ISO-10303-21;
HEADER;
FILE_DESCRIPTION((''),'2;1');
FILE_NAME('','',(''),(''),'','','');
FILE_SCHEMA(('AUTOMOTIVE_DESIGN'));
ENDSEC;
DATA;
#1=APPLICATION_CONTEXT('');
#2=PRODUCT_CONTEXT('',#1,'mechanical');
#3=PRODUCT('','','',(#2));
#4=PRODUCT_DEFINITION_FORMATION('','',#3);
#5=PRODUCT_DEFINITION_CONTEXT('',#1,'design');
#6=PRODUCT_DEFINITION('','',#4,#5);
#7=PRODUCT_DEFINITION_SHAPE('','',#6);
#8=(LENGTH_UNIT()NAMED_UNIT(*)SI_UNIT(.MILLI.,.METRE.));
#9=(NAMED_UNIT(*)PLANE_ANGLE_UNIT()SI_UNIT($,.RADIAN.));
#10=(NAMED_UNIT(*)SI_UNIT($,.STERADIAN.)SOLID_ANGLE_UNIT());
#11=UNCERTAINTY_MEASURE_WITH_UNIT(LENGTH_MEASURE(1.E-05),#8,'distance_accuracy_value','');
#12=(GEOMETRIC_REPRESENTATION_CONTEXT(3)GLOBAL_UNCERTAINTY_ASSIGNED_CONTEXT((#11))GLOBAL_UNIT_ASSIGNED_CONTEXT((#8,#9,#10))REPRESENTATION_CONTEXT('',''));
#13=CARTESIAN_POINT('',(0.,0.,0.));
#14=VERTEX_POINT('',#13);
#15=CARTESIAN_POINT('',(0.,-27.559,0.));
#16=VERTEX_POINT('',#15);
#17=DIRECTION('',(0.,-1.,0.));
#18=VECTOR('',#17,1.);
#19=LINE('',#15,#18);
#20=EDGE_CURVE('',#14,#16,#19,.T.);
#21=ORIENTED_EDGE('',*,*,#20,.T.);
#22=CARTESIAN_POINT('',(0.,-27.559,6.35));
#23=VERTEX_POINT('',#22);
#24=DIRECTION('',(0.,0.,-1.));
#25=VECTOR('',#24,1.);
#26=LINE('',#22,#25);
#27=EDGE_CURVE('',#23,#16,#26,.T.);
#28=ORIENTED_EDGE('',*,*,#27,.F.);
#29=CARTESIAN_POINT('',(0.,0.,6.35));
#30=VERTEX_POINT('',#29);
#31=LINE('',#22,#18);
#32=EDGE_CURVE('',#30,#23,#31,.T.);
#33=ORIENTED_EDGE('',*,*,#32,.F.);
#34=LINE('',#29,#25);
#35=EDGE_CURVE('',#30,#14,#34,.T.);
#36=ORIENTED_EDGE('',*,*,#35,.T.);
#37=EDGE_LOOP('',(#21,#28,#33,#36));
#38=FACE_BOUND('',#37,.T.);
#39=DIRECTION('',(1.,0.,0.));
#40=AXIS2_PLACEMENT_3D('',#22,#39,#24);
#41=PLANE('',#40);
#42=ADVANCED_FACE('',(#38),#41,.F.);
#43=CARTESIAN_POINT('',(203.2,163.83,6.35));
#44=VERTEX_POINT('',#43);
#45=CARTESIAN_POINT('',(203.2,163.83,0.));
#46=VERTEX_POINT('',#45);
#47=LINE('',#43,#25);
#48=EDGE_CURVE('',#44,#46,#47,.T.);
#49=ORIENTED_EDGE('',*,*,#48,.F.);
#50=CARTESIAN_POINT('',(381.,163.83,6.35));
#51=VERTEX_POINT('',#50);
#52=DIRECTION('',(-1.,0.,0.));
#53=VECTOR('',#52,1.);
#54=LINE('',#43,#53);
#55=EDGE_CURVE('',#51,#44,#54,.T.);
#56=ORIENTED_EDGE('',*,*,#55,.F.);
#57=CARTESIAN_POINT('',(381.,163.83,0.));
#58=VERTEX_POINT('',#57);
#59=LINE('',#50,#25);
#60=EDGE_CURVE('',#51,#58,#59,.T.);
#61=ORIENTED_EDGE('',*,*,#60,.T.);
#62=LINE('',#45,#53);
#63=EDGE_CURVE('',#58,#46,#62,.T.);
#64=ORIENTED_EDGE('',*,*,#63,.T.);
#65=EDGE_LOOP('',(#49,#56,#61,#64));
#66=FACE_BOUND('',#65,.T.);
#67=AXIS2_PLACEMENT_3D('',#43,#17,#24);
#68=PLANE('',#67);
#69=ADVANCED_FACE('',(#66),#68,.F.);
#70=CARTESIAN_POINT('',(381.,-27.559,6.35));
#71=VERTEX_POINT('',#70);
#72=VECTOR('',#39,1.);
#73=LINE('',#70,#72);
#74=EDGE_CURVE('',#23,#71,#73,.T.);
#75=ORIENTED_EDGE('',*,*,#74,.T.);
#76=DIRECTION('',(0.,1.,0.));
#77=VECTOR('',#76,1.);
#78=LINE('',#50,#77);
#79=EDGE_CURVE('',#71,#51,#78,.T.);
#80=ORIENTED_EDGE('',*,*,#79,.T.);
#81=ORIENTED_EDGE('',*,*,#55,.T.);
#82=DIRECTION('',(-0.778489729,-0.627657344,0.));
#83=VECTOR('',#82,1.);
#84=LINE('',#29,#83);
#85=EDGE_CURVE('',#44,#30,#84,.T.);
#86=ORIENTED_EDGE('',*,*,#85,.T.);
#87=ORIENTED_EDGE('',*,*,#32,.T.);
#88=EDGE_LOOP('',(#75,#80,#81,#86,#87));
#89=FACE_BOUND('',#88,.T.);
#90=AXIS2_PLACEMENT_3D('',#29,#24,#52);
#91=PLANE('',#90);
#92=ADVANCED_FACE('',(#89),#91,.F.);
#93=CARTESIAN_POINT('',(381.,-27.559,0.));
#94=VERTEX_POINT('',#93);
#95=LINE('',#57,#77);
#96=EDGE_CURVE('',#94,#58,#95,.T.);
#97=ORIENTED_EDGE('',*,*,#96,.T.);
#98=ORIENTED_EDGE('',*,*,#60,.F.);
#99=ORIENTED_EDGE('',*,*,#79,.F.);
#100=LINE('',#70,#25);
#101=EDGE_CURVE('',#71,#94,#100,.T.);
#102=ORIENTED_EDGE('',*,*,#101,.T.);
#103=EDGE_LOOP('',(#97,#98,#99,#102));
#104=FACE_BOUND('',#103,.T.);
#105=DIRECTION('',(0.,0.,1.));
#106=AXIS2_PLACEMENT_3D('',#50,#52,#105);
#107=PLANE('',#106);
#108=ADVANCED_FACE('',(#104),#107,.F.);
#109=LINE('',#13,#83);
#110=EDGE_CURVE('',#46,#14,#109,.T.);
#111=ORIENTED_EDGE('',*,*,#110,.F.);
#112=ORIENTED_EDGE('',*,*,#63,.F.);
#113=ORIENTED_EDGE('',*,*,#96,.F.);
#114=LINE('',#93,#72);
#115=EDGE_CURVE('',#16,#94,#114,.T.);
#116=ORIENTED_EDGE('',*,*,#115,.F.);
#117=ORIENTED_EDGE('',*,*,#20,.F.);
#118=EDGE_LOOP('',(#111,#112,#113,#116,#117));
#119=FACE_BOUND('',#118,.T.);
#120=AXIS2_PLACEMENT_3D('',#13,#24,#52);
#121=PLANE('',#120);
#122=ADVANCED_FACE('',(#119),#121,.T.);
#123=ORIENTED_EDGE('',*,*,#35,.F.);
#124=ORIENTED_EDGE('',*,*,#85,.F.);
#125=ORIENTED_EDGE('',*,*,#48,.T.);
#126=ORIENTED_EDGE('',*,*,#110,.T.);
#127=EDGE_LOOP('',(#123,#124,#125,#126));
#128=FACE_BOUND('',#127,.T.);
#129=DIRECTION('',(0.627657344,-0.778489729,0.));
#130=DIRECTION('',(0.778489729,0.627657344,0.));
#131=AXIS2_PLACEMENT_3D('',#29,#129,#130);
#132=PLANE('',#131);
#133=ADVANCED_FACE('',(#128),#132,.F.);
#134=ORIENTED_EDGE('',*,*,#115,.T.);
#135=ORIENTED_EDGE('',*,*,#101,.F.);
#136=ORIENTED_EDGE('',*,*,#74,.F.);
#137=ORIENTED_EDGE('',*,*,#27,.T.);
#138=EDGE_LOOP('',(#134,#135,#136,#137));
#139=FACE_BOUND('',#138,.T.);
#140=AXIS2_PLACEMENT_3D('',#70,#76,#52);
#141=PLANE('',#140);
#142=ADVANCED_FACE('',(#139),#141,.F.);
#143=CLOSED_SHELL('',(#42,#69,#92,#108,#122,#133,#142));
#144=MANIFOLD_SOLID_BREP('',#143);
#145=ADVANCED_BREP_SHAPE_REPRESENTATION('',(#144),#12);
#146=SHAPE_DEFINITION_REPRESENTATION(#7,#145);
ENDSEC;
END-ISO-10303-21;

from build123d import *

# Parameters (mm, degrees)
BOSS_EXTRUDE1_DEPTH = 6.35


with BuildPart() as part:
    # Sketch1 → Boss-Extrude1 (new body)
    with BuildSketch(Plane.XY):
        Polygon((0, 0), (203.2, 163.83), (381, 163.83), (381, -27.559), (0, -27.559), align=None)
    extrude(amount=BOSS_EXTRUDE1_DEPTH)


solid = part.part
